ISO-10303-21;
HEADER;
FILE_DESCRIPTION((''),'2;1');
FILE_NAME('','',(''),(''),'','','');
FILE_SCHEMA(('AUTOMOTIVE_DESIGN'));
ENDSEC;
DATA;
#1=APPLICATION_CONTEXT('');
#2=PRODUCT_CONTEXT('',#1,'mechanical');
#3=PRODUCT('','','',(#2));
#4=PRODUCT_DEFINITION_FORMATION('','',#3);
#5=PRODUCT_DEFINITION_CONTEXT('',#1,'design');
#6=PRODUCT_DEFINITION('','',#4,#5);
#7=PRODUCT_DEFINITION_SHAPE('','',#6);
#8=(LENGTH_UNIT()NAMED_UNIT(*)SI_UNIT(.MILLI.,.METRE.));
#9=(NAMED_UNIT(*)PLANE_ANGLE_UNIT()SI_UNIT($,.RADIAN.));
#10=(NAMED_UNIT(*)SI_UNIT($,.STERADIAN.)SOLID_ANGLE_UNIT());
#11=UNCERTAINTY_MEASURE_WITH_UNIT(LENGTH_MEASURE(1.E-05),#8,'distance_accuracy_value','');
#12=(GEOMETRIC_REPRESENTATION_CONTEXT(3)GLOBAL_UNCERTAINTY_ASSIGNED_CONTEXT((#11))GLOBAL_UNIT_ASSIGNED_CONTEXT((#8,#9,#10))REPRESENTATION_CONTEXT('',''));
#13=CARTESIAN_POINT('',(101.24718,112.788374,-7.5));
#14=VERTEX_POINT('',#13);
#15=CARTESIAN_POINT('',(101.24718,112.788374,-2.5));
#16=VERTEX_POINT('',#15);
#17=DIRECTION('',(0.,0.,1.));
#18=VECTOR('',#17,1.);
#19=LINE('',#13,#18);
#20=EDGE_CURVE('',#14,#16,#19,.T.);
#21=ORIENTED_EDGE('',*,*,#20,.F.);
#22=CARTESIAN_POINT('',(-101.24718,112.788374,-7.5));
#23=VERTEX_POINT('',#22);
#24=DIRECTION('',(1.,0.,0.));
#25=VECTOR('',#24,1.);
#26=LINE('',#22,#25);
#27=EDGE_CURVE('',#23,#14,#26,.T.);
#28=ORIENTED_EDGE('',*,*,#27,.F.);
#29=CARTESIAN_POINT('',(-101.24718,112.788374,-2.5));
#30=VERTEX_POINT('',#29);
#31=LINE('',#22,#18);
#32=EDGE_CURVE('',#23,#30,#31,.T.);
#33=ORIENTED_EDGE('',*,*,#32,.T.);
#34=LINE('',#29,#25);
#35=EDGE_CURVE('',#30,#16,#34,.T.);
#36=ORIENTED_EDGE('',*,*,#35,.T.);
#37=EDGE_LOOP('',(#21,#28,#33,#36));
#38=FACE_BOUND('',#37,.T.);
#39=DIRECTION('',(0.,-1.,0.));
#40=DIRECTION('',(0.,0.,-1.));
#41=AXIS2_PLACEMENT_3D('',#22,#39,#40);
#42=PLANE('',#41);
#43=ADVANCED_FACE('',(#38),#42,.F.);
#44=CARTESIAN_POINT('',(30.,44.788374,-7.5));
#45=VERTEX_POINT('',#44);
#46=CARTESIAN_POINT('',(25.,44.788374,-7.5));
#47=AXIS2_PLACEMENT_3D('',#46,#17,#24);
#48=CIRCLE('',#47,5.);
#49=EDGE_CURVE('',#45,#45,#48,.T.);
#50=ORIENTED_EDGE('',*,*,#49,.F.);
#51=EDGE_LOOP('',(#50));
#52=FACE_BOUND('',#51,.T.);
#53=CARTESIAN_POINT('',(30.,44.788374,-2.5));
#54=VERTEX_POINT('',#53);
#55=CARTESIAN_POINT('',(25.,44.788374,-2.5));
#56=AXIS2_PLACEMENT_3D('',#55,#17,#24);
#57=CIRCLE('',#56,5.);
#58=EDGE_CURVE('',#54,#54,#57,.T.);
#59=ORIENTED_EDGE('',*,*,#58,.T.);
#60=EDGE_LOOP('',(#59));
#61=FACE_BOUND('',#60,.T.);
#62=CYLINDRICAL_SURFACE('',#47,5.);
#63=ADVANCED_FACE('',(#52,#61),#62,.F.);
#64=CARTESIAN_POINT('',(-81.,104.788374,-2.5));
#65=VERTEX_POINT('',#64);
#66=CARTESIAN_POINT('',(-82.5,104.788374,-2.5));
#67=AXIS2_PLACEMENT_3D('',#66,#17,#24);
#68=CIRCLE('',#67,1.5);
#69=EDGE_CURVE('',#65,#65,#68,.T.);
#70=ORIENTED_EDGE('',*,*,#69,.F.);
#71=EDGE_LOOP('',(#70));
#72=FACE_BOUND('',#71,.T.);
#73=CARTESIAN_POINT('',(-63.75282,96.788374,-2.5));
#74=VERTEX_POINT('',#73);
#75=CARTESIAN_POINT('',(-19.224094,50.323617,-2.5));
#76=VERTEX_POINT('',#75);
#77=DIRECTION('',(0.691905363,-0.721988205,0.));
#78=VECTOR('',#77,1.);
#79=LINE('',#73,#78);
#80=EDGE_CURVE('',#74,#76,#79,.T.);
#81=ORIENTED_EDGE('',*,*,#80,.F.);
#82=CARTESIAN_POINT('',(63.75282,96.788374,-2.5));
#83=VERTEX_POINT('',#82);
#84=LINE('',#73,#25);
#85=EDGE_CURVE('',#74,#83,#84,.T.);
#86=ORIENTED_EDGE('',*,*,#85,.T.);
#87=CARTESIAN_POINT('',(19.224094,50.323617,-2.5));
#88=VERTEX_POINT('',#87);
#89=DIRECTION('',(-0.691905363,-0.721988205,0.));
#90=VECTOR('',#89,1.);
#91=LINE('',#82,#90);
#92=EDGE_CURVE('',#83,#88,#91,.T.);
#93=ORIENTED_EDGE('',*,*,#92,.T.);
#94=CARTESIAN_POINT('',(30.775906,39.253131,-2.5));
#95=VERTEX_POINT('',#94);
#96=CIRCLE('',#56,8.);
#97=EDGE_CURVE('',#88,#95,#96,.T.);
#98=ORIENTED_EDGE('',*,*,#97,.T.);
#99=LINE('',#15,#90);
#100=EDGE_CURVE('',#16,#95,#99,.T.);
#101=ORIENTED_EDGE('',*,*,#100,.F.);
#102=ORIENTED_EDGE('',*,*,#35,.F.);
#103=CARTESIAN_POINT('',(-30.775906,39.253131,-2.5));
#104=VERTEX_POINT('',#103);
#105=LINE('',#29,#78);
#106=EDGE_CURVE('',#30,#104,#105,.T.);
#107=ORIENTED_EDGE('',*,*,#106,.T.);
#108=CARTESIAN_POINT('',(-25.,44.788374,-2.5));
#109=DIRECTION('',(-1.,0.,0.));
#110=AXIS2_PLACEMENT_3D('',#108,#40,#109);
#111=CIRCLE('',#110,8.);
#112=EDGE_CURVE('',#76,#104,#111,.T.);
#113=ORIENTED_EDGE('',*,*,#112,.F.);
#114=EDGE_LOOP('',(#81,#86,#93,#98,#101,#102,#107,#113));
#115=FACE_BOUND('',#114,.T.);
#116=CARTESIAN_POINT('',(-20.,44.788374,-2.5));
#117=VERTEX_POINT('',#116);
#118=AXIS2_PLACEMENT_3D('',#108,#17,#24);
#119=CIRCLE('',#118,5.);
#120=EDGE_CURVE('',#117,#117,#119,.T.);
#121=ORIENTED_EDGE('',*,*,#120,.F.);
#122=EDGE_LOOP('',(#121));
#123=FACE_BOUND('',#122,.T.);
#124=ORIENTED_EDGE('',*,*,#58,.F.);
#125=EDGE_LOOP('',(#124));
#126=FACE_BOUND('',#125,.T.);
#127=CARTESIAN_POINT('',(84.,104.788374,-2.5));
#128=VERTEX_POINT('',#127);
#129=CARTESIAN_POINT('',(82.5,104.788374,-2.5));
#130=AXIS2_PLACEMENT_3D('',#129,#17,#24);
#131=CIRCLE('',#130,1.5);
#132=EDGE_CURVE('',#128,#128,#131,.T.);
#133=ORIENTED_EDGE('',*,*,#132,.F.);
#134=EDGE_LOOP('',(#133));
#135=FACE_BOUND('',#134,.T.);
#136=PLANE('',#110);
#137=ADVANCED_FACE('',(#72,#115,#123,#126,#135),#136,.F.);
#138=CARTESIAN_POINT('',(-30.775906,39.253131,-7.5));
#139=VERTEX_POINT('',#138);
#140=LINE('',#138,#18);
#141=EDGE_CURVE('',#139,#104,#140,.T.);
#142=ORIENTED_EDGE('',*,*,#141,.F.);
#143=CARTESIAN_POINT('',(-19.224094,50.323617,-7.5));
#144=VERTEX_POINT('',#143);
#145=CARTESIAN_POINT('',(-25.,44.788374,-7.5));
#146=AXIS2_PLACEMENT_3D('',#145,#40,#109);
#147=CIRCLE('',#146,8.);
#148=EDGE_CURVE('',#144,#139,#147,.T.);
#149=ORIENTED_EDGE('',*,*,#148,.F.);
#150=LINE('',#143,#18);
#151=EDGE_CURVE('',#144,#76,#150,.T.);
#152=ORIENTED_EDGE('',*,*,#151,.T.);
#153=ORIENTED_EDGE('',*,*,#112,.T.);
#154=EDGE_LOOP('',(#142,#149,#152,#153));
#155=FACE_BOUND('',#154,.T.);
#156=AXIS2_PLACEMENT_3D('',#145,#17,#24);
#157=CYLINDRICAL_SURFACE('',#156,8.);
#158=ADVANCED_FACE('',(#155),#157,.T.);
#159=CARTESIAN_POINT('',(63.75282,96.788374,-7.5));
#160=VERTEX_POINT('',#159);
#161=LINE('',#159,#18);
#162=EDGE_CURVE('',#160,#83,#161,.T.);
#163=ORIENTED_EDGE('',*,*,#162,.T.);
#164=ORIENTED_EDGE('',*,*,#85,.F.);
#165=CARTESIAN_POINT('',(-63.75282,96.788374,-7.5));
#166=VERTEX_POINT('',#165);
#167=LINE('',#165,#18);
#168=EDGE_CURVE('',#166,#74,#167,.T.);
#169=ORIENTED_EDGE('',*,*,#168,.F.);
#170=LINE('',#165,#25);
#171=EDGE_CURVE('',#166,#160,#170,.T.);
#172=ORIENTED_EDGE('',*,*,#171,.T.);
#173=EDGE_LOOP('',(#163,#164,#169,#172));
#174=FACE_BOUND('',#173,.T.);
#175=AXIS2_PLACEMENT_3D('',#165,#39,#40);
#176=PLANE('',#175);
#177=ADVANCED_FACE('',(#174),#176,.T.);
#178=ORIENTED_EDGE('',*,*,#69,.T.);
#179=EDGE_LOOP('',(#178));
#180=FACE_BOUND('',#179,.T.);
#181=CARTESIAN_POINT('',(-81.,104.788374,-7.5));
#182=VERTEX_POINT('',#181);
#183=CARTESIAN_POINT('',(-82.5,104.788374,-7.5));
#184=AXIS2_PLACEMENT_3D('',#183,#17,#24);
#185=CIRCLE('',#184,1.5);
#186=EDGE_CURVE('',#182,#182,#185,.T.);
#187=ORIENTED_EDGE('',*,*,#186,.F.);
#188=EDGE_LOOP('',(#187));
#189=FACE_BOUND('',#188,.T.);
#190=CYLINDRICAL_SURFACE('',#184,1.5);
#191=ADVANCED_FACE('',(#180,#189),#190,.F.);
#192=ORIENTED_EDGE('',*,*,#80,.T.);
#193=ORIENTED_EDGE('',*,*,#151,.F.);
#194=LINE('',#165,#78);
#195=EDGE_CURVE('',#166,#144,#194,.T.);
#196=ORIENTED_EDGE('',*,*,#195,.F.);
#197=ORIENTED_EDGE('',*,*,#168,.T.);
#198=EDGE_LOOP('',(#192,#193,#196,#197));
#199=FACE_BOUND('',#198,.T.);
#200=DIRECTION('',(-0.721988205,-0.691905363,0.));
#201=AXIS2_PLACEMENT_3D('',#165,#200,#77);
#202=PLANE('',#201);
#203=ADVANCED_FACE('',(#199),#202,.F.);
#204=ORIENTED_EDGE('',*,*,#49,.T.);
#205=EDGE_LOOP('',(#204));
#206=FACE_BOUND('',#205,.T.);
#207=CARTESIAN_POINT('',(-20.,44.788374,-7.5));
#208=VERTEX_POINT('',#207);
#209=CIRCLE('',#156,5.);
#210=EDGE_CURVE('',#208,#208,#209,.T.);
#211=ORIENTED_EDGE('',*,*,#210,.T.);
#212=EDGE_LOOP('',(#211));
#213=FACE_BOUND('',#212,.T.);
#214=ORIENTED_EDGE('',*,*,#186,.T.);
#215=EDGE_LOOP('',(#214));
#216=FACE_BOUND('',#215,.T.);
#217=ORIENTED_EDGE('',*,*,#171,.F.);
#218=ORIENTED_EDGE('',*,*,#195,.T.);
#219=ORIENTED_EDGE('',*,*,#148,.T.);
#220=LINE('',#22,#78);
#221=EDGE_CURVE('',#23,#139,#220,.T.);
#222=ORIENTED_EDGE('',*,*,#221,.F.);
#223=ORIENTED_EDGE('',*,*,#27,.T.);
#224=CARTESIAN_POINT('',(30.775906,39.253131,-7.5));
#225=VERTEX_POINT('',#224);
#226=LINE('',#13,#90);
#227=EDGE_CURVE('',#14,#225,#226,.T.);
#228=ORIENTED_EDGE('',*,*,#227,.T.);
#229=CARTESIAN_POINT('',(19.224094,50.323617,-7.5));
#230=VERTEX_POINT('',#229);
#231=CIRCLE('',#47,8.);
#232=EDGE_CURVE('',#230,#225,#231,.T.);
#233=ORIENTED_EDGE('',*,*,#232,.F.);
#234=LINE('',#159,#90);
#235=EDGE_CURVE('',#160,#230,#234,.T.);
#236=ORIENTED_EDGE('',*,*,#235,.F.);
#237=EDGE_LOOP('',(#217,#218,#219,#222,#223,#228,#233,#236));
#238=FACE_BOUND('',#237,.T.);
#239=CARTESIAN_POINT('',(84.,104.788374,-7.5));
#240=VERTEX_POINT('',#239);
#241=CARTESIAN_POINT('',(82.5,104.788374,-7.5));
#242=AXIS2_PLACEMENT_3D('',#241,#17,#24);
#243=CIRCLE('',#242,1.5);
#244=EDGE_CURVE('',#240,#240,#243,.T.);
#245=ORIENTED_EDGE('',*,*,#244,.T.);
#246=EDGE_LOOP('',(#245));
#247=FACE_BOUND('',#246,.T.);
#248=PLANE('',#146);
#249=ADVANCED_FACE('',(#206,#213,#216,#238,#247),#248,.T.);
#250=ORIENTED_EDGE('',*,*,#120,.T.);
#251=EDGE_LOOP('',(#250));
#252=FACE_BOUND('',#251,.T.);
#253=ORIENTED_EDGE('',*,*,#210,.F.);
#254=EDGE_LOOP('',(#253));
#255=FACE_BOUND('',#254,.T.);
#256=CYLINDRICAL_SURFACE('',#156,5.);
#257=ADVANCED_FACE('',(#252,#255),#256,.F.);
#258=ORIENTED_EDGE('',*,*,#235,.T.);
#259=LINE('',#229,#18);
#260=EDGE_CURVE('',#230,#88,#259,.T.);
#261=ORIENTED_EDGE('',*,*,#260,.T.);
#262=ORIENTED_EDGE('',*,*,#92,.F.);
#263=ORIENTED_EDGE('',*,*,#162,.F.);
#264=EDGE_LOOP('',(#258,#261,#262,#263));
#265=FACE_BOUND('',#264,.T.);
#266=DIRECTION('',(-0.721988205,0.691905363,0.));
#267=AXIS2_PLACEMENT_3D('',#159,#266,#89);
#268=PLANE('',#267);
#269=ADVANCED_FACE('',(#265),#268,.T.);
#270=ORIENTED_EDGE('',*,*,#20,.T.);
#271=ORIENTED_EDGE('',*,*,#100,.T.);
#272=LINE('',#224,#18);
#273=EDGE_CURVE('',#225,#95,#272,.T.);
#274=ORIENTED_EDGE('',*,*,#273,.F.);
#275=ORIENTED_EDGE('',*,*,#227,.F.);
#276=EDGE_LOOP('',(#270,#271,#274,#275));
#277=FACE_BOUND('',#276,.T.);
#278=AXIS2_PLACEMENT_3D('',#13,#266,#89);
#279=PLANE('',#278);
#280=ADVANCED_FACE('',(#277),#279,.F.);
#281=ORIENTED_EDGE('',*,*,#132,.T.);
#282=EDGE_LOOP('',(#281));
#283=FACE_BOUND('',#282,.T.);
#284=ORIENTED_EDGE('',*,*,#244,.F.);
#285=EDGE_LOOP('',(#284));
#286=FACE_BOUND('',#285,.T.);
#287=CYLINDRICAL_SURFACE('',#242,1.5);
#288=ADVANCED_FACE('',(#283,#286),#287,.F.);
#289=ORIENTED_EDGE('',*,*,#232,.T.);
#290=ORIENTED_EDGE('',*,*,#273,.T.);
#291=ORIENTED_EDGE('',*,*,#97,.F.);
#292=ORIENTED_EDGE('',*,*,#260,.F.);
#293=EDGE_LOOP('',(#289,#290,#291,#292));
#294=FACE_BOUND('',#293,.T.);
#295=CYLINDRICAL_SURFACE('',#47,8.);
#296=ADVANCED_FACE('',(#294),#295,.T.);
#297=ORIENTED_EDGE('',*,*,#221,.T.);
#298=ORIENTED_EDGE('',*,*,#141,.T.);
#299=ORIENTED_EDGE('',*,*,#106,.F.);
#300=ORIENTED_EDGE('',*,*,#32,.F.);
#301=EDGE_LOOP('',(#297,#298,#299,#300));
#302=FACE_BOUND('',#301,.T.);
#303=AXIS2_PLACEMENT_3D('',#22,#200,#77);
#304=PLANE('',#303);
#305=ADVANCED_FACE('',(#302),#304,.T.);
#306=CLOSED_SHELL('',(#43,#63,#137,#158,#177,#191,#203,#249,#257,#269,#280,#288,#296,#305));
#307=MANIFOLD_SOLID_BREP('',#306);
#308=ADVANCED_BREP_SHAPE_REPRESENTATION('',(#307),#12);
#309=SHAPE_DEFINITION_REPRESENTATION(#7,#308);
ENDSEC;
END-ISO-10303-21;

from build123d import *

# Parameters (mm, degrees)
BOSS_EXTRUDE9_DEPTH = 10
SKETCH2_6_R         = 3
SKETCH2_6_R_2       = 10
CUT_EXTRUDE1_DEPTH  = 10
SCALE1_SCALE        = 0.5


with BuildPart() as part:
    # Sketch2 → Boss-Extrude9 (new body)
    with BuildSketch(Plane.XY):
        with BuildLine():
            Line((-127.505639815, 104), (-38.448188718, 11.070485812))
            ThreePointArc((-38.448188718, 11.070485812), (-38.929514188, -11.551811282), (-61.551811282, -11.070485812))
            Line((-61.551811282, -11.070485812), (-202.494360185, 136))
            Line((-202.494360185, 136), (202.494360185, 136))
            Line((202.494360185, 136), (61.551811282, -11.070485812))
            ThreePointArc((61.551811282, -11.070485812), (38.929514188, -11.551811282), (38.448188718, 11.070485812))
            Line((38.448188718, 11.070485812), (127.505639815, 104))
            Line((127.505639815, 104), (-127.505639815, 104))
        make_face()
    extrude(amount=-BOSS_EXTRUDE9_DEPTH)

    # Sketch2<6> → Cut-Extrude1 (cut)
    with BuildSketch(Plane.XY):
        with Locations((-165, 120)):
            Circle(SKETCH2_6_R)
        with Locations((165, 120)):
            Circle(SKETCH2_6_R)
        with Locations((-50, 0)):
            Circle(SKETCH2_6_R_2)
        with Locations((50, 0)):
            Circle(SKETCH2_6_R_2)
    extrude(amount=-CUT_EXTRUDE1_DEPTH, mode=Mode.SUBTRACT)


with BuildPart() as part_1:
    # Scale1: scaled about (0, 89.576748788, -5)
    add(part.part.scale(SCALE1_SCALE).moved(Location((0, 44.788374394, -2.5))))


solid = part_1.part
